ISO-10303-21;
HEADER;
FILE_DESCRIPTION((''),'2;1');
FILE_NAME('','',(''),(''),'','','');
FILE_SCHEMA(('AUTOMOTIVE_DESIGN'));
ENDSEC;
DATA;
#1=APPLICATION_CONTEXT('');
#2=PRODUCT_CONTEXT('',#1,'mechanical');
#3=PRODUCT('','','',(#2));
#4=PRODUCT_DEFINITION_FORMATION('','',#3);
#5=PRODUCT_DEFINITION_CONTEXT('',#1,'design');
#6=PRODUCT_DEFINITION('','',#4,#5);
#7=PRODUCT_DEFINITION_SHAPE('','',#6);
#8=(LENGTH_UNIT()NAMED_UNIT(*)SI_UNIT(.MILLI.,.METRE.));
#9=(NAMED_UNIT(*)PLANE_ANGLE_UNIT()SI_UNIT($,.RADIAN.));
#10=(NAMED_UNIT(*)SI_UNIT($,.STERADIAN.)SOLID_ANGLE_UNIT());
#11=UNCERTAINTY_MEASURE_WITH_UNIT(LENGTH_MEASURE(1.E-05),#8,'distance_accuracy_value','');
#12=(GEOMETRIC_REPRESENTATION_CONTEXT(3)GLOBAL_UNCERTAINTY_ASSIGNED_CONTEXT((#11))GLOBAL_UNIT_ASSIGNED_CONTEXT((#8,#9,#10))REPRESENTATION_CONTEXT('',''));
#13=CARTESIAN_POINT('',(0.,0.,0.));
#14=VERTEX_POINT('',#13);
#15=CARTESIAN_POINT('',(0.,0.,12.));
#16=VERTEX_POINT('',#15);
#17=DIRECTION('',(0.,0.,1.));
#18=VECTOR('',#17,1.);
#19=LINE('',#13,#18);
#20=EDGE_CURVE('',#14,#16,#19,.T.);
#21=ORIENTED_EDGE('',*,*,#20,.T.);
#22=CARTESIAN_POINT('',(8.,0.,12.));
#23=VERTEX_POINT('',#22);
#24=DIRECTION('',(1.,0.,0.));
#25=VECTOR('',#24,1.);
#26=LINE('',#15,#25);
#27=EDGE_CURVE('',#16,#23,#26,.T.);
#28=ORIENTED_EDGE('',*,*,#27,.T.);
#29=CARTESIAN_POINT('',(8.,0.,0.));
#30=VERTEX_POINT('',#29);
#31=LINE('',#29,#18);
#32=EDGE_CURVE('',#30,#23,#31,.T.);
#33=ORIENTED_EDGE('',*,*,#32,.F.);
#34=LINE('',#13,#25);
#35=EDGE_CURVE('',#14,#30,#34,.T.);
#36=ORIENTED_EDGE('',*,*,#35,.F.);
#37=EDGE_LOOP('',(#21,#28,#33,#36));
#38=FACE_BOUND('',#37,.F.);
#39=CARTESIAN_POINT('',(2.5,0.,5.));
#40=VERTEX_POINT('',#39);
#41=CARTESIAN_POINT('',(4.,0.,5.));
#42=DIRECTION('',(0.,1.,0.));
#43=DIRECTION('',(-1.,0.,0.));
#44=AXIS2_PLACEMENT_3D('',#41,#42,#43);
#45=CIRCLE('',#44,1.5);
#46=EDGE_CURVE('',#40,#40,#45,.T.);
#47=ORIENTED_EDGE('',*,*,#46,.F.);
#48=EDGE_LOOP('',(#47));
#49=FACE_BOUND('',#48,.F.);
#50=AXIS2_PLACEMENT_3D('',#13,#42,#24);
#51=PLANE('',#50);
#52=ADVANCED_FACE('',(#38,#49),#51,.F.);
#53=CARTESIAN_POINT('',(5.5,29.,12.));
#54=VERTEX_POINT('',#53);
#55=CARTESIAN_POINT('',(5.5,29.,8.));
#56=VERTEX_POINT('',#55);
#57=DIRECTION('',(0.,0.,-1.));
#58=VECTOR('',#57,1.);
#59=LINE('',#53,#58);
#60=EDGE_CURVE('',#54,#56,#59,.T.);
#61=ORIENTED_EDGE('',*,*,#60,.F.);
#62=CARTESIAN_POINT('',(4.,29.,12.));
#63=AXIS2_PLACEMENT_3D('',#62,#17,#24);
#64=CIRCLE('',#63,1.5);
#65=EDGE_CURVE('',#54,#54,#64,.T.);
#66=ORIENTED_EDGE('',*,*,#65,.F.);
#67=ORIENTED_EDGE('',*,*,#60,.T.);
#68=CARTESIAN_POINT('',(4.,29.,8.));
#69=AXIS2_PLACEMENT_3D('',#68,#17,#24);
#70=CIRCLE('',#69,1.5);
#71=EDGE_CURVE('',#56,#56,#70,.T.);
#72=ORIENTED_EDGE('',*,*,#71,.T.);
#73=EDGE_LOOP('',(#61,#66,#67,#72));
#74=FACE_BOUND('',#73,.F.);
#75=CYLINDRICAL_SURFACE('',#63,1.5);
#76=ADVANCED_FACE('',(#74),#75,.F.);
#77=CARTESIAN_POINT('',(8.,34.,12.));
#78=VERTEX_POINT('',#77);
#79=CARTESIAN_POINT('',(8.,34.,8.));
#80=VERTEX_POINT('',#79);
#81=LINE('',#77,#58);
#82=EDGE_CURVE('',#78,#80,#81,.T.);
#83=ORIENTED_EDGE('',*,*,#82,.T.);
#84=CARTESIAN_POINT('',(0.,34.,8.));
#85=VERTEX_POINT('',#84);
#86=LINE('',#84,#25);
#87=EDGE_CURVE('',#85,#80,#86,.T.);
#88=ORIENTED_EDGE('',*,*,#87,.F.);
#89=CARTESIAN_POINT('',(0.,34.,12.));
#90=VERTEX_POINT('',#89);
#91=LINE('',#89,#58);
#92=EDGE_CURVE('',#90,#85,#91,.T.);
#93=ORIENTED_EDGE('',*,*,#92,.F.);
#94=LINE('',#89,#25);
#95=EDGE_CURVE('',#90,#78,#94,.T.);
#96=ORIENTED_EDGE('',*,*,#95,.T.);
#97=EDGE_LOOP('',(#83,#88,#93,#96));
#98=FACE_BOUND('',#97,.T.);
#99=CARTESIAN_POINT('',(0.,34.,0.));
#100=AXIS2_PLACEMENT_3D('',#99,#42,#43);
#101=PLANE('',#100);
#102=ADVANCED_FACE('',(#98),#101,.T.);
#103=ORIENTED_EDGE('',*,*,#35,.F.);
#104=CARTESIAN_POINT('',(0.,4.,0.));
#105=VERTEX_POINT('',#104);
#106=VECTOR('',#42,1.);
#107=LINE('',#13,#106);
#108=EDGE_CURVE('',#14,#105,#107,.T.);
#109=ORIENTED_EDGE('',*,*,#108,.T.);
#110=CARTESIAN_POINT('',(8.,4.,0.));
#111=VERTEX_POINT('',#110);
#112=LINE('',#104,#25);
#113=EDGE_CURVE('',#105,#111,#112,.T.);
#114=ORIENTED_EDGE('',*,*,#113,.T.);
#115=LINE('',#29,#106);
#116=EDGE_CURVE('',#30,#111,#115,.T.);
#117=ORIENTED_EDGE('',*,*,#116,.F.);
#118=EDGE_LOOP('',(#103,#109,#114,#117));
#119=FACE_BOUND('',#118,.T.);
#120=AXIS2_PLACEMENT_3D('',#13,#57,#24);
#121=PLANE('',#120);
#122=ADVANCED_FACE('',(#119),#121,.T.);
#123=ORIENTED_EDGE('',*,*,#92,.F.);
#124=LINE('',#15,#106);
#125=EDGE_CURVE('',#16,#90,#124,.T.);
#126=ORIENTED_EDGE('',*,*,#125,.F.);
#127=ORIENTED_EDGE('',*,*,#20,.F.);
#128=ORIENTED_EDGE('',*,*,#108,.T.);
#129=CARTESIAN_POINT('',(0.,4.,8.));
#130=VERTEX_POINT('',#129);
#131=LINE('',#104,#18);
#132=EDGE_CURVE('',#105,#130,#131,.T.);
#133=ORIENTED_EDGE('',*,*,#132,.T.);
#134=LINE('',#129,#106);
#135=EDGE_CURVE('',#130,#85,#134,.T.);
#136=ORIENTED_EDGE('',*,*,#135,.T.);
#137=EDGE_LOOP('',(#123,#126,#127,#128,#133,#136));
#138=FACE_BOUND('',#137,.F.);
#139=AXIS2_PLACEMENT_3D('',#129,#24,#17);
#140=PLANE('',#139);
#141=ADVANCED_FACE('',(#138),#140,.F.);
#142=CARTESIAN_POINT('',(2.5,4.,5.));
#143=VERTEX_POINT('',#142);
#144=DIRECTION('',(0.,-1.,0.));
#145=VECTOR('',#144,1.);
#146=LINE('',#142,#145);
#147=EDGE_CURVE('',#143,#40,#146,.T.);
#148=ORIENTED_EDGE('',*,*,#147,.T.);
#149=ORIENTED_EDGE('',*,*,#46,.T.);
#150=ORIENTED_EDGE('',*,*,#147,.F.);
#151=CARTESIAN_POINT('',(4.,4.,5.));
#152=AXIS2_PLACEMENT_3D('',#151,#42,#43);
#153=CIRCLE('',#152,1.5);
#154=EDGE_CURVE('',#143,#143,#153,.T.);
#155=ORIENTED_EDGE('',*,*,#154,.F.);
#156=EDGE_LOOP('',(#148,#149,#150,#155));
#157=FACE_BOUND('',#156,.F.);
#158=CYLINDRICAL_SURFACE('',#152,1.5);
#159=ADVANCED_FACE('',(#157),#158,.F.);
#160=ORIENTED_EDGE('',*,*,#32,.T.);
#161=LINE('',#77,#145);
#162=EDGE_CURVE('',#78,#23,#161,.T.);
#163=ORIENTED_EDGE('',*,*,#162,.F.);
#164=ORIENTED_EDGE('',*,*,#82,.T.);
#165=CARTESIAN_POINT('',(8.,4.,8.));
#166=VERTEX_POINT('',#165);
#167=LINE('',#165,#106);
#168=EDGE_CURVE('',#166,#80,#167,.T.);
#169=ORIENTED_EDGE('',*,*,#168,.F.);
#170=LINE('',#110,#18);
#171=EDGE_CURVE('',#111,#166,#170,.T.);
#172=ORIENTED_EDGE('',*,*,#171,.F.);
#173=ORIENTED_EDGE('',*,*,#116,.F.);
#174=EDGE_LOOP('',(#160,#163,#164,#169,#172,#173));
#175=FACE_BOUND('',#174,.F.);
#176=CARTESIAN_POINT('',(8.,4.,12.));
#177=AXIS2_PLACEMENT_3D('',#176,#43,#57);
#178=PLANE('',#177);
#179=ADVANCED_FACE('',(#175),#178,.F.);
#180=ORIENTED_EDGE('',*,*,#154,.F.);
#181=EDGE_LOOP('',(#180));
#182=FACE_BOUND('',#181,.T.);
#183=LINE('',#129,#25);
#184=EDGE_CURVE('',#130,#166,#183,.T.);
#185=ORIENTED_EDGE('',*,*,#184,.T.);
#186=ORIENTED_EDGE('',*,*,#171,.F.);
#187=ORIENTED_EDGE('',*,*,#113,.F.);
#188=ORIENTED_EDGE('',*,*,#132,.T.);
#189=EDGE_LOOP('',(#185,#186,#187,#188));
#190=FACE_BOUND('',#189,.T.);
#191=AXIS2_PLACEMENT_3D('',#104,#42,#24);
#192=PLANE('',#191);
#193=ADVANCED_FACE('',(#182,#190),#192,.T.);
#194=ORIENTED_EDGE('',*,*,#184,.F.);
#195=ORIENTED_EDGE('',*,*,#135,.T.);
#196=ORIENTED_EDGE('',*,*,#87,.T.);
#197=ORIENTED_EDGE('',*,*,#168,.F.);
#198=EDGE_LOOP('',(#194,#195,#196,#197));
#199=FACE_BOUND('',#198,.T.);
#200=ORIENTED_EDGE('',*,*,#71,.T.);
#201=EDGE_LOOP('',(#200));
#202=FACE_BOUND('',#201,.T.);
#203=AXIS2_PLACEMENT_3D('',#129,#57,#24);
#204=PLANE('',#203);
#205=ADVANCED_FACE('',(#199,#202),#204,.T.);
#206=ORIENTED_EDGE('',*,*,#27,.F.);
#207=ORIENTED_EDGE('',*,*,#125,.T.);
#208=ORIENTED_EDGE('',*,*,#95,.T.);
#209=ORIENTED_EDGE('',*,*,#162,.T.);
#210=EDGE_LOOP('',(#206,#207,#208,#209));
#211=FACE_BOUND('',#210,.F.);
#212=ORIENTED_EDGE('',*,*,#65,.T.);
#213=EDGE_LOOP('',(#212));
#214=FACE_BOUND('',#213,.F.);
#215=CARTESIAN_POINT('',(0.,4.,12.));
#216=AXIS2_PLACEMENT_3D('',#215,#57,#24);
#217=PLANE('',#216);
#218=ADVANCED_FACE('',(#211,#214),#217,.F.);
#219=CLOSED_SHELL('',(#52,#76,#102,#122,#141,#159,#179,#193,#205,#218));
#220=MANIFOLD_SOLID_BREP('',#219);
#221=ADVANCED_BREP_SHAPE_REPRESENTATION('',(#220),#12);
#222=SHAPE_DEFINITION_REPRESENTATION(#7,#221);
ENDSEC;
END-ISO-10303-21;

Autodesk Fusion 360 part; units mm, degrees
sketch "Skizze1" plane through (0, 0, 0) normal (0, 1, 0) x (1, 0, 0)
  line L0 (0, 0) -> (8, 0)
  line L1 (0, 0) -> (0, -12)
  line L2 (8, 0) -> (8, -12)
  line L3 (0, -12) -> (8, -12)
  dimension "d1" = 8
  dimension "d2" = 12
  dimension "d3" = 12
extrude "Extrusion1" add sketch "Skizze1" along normal blind 4
sketch "Skizze2" plane through (0, 4, 0) normal (0, 1, 0) x (-1, 0, 0)
  line L0 (0, 0) -> (0, 12)
  line L1 (0, 12) -> (-8, 12)
  line L2 (-8, 12) -> (-8, 0)
  line L3 (-8, 0) -> (0, 0)
  circle A0 centre (-4, 5) radius 1.5
  dimension "d6" = 3
extrude "Extrusion2" cut sketch "Skizze2" against normal blind 15 contours A0
sketch "Skizze3" plane through (0, 4, 0) normal (0, 1, 0) x (-1, 0, 0)
  circle A0 centre (-4, 5) radius 1.5
  line L0 (0, 0) -> (0, 12)
  line L1 (0, 12) -> (-8, 12)
  line L2 (-8, 12) -> (-8, 0)
  line L3 (-8, 0) -> (0, 0)
  line L4 (0, 12) -> (0, 9)
  line L5 (0, 9) -> (0, 8)
  line L6 (0, 8) -> (-8, 8)
  line L7 (-8, 8) -> (-8, 12)
  line L8 (-8, 12) -> (0, 12)
extrude "Extrusion3" add sketch "Skizze3" along normal blind 30 contours L0 L1 L2 L4 L5 L6 L7 L8
sketch "Skizze4" plane through (0, 0, 12) normal (0, 0, 1) x (1, 0, 0)
  line L0 (0, 0) -> (8, 0)
  line L1 (8, 0) -> (8, 34)
  line L2 (8, 34) -> (0, 34)
  line L3 (0, 34) -> (0, 0)
  line L4 (0, 34) -> (0, 29)
  line L5 (0, 29) -> (4, 29)
  circle A0 centre (4, 29) radius 1.5
  dimension "d11" = 3
extrude "Extrusion4" cut sketch "Skizze4" against normal blind 21 contours A0
